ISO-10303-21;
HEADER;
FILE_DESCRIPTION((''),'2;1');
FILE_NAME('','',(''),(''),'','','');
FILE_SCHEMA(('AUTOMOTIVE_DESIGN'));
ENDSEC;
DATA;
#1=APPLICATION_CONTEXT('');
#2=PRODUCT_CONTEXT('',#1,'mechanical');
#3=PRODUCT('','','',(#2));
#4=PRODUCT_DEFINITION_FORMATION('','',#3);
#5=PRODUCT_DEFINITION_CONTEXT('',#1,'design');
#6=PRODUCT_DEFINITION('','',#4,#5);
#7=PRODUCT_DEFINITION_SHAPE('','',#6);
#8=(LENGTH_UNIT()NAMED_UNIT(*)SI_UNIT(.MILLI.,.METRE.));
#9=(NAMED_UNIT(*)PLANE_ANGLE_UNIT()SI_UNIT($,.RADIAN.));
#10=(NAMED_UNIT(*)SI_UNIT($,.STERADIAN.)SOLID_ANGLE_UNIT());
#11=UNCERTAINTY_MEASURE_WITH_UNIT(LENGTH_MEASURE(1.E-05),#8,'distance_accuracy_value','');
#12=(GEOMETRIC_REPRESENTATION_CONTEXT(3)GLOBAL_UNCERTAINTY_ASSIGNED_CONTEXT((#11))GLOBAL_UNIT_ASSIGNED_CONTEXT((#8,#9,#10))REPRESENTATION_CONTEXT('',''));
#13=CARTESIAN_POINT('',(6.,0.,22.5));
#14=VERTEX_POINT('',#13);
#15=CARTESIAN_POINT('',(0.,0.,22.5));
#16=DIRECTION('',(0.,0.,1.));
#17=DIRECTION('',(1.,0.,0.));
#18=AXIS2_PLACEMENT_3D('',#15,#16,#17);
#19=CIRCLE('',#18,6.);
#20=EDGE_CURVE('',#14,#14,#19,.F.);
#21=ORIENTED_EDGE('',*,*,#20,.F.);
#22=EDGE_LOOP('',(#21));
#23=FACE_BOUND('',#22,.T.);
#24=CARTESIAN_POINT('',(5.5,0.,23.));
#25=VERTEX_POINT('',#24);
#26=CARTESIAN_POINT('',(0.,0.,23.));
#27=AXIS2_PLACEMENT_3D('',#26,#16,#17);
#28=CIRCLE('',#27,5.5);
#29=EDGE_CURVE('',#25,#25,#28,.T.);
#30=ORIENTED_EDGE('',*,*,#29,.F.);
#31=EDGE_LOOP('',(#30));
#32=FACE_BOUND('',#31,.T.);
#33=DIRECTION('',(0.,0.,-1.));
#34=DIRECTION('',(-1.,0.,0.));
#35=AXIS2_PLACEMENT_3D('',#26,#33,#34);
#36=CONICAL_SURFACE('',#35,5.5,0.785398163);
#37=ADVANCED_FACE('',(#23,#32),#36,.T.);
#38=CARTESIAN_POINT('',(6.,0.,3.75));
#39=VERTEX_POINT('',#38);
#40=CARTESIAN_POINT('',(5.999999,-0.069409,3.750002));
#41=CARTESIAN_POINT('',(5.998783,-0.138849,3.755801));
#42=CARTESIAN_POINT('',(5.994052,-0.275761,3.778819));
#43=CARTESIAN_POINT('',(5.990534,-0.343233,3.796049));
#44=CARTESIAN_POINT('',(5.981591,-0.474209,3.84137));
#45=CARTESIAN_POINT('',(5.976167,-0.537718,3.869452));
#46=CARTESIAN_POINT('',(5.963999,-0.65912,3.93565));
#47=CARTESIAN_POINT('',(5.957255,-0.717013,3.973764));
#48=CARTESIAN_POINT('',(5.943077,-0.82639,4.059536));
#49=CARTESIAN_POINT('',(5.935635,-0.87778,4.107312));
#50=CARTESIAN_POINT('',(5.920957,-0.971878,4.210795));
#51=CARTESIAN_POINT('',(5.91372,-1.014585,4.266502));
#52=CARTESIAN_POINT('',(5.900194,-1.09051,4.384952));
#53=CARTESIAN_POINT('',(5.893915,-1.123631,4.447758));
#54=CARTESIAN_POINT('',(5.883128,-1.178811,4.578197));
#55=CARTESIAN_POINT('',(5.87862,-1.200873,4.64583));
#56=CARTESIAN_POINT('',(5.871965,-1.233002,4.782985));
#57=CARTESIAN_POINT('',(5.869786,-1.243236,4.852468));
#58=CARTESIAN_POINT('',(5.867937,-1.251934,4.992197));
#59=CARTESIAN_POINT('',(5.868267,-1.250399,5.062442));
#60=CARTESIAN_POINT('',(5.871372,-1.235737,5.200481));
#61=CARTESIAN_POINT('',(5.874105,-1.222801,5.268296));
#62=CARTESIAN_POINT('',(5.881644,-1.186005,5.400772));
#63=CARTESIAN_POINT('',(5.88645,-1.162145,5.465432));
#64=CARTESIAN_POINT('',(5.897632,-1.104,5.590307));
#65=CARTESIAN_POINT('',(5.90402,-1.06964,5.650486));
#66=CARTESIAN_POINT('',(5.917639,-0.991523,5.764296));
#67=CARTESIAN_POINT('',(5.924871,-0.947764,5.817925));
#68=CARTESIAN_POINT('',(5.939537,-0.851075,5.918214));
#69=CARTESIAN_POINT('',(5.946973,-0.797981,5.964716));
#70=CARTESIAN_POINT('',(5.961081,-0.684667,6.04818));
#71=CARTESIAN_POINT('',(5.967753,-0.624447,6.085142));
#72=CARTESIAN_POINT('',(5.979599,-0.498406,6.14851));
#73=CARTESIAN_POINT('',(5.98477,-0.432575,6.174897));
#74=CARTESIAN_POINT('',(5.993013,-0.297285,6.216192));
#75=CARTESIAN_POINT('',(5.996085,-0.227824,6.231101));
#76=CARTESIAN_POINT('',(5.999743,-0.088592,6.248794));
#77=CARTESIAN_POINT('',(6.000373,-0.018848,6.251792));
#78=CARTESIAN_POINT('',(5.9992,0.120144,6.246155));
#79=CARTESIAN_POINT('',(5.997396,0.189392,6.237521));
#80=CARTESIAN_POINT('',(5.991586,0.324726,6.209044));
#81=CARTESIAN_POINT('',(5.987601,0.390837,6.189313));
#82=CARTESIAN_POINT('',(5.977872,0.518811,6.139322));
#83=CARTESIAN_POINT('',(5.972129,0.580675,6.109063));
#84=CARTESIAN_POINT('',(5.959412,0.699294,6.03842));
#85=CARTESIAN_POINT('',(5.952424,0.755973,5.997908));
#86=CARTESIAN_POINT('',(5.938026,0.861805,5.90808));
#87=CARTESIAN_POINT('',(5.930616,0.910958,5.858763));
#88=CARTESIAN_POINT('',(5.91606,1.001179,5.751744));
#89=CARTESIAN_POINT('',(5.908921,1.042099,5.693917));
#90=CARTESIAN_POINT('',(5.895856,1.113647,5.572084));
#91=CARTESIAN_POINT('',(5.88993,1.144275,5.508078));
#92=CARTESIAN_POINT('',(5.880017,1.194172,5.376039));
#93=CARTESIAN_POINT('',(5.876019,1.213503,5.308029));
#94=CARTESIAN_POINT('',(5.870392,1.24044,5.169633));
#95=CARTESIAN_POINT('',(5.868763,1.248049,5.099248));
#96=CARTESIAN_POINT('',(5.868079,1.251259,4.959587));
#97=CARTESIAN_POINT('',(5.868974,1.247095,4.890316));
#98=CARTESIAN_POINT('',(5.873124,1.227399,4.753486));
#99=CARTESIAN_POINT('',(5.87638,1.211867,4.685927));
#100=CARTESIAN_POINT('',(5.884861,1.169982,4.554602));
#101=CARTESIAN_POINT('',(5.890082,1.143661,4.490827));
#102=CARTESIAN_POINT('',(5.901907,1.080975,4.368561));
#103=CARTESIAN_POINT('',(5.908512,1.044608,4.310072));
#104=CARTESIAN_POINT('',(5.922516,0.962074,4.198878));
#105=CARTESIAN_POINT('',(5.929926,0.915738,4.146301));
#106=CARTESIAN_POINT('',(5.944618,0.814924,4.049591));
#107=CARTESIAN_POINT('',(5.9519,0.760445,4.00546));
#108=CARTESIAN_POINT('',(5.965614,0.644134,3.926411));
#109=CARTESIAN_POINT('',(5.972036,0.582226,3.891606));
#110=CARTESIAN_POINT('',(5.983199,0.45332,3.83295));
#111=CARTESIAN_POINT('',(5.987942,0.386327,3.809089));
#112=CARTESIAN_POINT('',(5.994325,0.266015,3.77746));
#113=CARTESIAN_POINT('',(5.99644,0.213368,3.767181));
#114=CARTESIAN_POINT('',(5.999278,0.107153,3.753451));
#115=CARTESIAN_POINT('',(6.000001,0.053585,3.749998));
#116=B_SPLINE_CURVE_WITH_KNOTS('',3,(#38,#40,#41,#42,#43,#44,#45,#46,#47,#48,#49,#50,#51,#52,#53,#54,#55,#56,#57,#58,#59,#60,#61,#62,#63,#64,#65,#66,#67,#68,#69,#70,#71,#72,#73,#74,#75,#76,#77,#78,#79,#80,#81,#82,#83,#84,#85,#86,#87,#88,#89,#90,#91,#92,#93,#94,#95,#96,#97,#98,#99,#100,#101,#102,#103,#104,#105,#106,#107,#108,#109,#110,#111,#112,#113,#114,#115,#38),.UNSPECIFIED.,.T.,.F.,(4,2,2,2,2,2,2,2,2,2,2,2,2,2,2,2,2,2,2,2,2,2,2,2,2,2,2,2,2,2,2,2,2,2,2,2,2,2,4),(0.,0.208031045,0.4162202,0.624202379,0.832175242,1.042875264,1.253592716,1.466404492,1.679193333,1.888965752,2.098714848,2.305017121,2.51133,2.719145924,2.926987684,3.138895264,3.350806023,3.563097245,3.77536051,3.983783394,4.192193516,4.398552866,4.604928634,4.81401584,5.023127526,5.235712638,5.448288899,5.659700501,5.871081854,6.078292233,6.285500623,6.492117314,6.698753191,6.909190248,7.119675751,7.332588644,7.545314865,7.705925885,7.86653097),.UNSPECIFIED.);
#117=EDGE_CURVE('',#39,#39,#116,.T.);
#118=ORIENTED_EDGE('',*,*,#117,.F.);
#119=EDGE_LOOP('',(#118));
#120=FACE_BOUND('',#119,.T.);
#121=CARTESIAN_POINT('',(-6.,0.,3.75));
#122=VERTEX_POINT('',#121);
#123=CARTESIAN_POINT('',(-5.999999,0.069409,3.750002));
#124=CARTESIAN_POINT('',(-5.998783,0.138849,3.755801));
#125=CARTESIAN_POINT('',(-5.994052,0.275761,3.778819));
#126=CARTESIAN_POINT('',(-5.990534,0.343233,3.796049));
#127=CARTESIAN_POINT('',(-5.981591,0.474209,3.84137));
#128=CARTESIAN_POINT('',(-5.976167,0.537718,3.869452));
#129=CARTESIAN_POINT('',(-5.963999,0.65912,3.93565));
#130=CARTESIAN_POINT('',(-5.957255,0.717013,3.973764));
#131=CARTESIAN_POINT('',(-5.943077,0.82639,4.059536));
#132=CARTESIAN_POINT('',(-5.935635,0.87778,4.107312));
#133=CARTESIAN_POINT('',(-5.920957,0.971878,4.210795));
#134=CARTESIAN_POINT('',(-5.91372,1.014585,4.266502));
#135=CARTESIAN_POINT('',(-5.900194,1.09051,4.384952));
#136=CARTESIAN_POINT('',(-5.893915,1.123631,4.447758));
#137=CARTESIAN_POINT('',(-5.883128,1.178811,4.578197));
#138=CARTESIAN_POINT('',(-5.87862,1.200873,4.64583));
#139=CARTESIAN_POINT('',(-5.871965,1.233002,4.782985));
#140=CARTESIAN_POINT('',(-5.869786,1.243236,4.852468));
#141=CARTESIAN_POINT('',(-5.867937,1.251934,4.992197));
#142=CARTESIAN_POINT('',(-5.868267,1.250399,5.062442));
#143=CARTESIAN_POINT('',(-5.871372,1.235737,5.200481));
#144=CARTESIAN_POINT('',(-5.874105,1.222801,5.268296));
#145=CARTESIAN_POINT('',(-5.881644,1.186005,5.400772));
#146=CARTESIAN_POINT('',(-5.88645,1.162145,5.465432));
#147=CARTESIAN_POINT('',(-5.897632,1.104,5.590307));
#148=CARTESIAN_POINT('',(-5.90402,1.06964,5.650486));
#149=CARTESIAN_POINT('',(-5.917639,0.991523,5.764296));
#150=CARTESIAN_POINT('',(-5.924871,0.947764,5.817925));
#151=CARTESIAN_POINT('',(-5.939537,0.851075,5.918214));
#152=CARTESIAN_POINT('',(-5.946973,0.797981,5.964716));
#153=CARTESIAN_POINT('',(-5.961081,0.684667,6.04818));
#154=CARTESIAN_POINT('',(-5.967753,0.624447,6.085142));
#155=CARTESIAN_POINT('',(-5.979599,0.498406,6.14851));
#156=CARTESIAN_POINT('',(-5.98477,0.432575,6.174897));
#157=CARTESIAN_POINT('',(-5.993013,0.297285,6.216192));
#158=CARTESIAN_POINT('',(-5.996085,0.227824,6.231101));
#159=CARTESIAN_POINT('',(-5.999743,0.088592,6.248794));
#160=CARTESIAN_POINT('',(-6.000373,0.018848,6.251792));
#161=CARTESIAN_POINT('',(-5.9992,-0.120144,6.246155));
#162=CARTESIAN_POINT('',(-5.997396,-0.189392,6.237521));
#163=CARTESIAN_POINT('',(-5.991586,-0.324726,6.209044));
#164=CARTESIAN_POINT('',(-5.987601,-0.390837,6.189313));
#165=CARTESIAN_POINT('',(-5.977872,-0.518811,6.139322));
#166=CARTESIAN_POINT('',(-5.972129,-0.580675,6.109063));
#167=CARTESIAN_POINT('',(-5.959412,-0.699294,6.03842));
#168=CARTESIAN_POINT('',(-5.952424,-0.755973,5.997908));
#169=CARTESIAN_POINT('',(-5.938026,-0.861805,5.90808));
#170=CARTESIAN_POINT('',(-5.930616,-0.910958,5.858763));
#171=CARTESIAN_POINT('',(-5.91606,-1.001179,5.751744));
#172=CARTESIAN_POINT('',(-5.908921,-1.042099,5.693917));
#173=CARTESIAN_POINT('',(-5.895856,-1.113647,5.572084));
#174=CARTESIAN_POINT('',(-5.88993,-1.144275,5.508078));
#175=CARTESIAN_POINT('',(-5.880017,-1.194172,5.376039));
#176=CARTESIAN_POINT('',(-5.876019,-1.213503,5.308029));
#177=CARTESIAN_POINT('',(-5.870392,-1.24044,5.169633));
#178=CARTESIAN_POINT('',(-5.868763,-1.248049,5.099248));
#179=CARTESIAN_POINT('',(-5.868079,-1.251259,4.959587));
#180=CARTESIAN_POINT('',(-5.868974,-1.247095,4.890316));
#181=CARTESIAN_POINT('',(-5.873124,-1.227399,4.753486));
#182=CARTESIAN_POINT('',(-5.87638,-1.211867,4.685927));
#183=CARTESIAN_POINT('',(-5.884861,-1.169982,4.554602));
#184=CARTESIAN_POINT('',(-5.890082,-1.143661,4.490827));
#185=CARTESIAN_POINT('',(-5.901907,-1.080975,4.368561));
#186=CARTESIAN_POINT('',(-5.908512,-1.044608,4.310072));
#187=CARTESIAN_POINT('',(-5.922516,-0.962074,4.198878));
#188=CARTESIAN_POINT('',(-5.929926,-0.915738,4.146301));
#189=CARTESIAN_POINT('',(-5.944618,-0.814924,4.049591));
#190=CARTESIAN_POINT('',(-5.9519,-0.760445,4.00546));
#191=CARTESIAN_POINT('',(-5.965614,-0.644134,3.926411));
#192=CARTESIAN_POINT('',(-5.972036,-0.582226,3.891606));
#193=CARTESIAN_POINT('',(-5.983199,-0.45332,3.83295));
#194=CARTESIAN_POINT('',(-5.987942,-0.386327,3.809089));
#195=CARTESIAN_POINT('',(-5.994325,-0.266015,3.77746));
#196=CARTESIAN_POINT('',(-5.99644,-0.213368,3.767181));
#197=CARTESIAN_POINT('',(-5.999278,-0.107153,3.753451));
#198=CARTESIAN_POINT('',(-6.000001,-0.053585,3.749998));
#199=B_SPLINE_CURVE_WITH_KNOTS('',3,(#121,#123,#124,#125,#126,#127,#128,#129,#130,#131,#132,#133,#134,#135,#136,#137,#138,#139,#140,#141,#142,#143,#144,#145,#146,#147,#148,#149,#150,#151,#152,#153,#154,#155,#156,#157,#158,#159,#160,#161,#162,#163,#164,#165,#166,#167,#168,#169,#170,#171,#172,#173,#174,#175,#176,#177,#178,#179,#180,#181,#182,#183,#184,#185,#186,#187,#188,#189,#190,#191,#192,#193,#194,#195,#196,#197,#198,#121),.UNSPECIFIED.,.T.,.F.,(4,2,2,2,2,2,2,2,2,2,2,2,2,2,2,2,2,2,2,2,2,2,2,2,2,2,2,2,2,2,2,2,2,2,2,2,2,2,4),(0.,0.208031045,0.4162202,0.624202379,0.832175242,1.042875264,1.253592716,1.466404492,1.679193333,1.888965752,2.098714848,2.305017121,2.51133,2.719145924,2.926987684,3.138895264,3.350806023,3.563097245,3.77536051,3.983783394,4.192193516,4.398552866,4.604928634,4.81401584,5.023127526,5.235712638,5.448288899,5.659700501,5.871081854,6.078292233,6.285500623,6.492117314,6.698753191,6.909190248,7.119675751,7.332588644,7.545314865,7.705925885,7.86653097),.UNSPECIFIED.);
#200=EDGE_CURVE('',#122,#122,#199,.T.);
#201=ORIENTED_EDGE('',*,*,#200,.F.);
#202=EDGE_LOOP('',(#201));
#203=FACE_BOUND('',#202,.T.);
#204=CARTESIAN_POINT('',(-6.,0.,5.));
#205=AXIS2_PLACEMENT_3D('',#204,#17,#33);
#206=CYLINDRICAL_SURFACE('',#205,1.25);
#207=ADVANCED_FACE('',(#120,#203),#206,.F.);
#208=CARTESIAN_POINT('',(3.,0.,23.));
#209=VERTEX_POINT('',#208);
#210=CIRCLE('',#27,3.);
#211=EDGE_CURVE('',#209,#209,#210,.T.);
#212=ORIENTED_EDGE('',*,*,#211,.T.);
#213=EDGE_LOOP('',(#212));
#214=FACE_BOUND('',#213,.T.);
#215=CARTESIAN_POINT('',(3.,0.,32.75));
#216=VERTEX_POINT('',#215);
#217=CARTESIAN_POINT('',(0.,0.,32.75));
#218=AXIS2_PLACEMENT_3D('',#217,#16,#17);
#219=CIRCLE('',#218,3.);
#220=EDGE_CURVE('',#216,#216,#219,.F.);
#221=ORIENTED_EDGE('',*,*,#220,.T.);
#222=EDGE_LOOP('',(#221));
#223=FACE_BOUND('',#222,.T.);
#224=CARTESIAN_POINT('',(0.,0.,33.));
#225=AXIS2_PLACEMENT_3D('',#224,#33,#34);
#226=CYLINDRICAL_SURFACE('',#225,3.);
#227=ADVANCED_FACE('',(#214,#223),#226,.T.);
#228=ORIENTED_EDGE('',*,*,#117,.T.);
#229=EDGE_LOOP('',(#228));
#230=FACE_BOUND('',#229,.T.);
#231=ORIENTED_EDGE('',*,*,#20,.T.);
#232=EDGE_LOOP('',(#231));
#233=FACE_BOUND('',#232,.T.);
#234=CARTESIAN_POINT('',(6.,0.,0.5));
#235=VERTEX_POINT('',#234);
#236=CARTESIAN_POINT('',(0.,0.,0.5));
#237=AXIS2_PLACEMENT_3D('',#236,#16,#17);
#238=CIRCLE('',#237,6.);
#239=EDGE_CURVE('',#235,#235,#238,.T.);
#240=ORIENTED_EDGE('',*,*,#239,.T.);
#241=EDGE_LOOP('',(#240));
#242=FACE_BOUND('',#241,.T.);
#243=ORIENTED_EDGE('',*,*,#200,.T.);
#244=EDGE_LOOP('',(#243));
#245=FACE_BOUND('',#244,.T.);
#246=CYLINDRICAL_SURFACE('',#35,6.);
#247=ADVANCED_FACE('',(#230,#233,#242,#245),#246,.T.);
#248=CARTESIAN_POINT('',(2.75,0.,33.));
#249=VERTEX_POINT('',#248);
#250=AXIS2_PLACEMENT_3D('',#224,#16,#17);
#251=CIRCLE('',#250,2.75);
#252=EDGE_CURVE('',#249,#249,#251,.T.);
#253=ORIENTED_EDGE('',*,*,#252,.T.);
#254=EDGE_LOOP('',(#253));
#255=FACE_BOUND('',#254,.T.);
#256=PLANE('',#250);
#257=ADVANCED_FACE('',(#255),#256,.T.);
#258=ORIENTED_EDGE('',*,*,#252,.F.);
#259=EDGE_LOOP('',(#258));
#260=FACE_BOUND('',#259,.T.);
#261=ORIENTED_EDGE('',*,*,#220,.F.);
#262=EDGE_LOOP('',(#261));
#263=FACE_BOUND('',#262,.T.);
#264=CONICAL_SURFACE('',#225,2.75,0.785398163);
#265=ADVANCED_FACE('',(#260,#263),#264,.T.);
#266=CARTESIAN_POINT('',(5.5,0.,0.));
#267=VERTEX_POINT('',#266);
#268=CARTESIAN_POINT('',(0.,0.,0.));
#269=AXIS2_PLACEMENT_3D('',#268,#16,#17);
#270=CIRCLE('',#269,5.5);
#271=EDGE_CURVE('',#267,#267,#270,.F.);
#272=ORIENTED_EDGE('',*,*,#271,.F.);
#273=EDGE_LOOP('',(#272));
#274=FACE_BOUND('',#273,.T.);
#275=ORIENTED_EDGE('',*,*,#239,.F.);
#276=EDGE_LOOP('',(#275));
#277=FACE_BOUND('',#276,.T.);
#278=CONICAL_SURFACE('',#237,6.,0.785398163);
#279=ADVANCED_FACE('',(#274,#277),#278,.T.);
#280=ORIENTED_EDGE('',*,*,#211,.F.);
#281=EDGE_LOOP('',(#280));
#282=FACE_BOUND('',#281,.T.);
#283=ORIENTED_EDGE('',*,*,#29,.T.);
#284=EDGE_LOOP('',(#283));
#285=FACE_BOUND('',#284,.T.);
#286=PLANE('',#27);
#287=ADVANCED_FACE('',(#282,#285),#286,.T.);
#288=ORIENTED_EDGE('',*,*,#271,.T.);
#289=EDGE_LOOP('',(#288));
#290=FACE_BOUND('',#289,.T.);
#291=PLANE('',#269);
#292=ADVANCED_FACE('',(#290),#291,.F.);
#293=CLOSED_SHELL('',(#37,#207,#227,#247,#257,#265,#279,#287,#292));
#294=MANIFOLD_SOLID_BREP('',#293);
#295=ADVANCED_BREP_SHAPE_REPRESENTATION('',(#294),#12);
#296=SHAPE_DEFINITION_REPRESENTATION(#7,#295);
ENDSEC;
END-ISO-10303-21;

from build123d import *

# Parameters (mm, degrees)
SKETCH1_R               = 6
BOSS_EXTRUDE1_DEPTH     = 23
SKETCH2_R               = 3
BOSS_EXTRUDE2_DEPTH     = 10
CHAMFER1_SIZE           = 0.5
CHAMFER2_SIZE           = 0.25
CUT_EXTRUDE1_DEPTH      = 35.073450075
CUT_EXTRUDE1_DEPTH_BACK = 35.073450075
SKETCH4_R               = 1.25


with BuildPart() as part:
    # Sketch1 → Boss-Extrude1 (new body)
    with BuildSketch(Plane.XY):
        Circle(SKETCH1_R)
    extrude(amount=BOSS_EXTRUDE1_DEPTH)

    # Sketch2 → Boss-Extrude2 (add)
    with BuildSketch(Plane.XY.offset(23)):
        Circle(SKETCH2_R)
    extrude(amount=BOSS_EXTRUDE2_DEPTH)

    # Chamfer1
    chamfer1_edges = [part.edges().sort_by_distance(p)[0] for p in [
        (-6, 0, 0),
        (-6, 0, 23),
    ]]
    chamfer(chamfer1_edges, length=CHAMFER1_SIZE)

    # Chamfer2
    chamfer2_edges = [part.edges().sort_by_distance(p)[0] for p in [
        (-3, 0, 33),
    ]]
    chamfer(chamfer2_edges, length=CHAMFER2_SIZE)

    # Sketch4 → Cut-Extrude1 (cut, two sides: drawn at the far end of the back side and taken through both)
    with BuildSketch(Plane(origin=(0, 0, 0), x_dir=(0, 0, -1), z_dir=(1, 0, 0)).offset(-CUT_EXTRUDE1_DEPTH_BACK)):
        with Locations((-5, 0)):
            Circle(SKETCH4_R)
    extrude(amount=CUT_EXTRUDE1_DEPTH + CUT_EXTRUDE1_DEPTH_BACK, mode=Mode.SUBTRACT)


solid = part.part
